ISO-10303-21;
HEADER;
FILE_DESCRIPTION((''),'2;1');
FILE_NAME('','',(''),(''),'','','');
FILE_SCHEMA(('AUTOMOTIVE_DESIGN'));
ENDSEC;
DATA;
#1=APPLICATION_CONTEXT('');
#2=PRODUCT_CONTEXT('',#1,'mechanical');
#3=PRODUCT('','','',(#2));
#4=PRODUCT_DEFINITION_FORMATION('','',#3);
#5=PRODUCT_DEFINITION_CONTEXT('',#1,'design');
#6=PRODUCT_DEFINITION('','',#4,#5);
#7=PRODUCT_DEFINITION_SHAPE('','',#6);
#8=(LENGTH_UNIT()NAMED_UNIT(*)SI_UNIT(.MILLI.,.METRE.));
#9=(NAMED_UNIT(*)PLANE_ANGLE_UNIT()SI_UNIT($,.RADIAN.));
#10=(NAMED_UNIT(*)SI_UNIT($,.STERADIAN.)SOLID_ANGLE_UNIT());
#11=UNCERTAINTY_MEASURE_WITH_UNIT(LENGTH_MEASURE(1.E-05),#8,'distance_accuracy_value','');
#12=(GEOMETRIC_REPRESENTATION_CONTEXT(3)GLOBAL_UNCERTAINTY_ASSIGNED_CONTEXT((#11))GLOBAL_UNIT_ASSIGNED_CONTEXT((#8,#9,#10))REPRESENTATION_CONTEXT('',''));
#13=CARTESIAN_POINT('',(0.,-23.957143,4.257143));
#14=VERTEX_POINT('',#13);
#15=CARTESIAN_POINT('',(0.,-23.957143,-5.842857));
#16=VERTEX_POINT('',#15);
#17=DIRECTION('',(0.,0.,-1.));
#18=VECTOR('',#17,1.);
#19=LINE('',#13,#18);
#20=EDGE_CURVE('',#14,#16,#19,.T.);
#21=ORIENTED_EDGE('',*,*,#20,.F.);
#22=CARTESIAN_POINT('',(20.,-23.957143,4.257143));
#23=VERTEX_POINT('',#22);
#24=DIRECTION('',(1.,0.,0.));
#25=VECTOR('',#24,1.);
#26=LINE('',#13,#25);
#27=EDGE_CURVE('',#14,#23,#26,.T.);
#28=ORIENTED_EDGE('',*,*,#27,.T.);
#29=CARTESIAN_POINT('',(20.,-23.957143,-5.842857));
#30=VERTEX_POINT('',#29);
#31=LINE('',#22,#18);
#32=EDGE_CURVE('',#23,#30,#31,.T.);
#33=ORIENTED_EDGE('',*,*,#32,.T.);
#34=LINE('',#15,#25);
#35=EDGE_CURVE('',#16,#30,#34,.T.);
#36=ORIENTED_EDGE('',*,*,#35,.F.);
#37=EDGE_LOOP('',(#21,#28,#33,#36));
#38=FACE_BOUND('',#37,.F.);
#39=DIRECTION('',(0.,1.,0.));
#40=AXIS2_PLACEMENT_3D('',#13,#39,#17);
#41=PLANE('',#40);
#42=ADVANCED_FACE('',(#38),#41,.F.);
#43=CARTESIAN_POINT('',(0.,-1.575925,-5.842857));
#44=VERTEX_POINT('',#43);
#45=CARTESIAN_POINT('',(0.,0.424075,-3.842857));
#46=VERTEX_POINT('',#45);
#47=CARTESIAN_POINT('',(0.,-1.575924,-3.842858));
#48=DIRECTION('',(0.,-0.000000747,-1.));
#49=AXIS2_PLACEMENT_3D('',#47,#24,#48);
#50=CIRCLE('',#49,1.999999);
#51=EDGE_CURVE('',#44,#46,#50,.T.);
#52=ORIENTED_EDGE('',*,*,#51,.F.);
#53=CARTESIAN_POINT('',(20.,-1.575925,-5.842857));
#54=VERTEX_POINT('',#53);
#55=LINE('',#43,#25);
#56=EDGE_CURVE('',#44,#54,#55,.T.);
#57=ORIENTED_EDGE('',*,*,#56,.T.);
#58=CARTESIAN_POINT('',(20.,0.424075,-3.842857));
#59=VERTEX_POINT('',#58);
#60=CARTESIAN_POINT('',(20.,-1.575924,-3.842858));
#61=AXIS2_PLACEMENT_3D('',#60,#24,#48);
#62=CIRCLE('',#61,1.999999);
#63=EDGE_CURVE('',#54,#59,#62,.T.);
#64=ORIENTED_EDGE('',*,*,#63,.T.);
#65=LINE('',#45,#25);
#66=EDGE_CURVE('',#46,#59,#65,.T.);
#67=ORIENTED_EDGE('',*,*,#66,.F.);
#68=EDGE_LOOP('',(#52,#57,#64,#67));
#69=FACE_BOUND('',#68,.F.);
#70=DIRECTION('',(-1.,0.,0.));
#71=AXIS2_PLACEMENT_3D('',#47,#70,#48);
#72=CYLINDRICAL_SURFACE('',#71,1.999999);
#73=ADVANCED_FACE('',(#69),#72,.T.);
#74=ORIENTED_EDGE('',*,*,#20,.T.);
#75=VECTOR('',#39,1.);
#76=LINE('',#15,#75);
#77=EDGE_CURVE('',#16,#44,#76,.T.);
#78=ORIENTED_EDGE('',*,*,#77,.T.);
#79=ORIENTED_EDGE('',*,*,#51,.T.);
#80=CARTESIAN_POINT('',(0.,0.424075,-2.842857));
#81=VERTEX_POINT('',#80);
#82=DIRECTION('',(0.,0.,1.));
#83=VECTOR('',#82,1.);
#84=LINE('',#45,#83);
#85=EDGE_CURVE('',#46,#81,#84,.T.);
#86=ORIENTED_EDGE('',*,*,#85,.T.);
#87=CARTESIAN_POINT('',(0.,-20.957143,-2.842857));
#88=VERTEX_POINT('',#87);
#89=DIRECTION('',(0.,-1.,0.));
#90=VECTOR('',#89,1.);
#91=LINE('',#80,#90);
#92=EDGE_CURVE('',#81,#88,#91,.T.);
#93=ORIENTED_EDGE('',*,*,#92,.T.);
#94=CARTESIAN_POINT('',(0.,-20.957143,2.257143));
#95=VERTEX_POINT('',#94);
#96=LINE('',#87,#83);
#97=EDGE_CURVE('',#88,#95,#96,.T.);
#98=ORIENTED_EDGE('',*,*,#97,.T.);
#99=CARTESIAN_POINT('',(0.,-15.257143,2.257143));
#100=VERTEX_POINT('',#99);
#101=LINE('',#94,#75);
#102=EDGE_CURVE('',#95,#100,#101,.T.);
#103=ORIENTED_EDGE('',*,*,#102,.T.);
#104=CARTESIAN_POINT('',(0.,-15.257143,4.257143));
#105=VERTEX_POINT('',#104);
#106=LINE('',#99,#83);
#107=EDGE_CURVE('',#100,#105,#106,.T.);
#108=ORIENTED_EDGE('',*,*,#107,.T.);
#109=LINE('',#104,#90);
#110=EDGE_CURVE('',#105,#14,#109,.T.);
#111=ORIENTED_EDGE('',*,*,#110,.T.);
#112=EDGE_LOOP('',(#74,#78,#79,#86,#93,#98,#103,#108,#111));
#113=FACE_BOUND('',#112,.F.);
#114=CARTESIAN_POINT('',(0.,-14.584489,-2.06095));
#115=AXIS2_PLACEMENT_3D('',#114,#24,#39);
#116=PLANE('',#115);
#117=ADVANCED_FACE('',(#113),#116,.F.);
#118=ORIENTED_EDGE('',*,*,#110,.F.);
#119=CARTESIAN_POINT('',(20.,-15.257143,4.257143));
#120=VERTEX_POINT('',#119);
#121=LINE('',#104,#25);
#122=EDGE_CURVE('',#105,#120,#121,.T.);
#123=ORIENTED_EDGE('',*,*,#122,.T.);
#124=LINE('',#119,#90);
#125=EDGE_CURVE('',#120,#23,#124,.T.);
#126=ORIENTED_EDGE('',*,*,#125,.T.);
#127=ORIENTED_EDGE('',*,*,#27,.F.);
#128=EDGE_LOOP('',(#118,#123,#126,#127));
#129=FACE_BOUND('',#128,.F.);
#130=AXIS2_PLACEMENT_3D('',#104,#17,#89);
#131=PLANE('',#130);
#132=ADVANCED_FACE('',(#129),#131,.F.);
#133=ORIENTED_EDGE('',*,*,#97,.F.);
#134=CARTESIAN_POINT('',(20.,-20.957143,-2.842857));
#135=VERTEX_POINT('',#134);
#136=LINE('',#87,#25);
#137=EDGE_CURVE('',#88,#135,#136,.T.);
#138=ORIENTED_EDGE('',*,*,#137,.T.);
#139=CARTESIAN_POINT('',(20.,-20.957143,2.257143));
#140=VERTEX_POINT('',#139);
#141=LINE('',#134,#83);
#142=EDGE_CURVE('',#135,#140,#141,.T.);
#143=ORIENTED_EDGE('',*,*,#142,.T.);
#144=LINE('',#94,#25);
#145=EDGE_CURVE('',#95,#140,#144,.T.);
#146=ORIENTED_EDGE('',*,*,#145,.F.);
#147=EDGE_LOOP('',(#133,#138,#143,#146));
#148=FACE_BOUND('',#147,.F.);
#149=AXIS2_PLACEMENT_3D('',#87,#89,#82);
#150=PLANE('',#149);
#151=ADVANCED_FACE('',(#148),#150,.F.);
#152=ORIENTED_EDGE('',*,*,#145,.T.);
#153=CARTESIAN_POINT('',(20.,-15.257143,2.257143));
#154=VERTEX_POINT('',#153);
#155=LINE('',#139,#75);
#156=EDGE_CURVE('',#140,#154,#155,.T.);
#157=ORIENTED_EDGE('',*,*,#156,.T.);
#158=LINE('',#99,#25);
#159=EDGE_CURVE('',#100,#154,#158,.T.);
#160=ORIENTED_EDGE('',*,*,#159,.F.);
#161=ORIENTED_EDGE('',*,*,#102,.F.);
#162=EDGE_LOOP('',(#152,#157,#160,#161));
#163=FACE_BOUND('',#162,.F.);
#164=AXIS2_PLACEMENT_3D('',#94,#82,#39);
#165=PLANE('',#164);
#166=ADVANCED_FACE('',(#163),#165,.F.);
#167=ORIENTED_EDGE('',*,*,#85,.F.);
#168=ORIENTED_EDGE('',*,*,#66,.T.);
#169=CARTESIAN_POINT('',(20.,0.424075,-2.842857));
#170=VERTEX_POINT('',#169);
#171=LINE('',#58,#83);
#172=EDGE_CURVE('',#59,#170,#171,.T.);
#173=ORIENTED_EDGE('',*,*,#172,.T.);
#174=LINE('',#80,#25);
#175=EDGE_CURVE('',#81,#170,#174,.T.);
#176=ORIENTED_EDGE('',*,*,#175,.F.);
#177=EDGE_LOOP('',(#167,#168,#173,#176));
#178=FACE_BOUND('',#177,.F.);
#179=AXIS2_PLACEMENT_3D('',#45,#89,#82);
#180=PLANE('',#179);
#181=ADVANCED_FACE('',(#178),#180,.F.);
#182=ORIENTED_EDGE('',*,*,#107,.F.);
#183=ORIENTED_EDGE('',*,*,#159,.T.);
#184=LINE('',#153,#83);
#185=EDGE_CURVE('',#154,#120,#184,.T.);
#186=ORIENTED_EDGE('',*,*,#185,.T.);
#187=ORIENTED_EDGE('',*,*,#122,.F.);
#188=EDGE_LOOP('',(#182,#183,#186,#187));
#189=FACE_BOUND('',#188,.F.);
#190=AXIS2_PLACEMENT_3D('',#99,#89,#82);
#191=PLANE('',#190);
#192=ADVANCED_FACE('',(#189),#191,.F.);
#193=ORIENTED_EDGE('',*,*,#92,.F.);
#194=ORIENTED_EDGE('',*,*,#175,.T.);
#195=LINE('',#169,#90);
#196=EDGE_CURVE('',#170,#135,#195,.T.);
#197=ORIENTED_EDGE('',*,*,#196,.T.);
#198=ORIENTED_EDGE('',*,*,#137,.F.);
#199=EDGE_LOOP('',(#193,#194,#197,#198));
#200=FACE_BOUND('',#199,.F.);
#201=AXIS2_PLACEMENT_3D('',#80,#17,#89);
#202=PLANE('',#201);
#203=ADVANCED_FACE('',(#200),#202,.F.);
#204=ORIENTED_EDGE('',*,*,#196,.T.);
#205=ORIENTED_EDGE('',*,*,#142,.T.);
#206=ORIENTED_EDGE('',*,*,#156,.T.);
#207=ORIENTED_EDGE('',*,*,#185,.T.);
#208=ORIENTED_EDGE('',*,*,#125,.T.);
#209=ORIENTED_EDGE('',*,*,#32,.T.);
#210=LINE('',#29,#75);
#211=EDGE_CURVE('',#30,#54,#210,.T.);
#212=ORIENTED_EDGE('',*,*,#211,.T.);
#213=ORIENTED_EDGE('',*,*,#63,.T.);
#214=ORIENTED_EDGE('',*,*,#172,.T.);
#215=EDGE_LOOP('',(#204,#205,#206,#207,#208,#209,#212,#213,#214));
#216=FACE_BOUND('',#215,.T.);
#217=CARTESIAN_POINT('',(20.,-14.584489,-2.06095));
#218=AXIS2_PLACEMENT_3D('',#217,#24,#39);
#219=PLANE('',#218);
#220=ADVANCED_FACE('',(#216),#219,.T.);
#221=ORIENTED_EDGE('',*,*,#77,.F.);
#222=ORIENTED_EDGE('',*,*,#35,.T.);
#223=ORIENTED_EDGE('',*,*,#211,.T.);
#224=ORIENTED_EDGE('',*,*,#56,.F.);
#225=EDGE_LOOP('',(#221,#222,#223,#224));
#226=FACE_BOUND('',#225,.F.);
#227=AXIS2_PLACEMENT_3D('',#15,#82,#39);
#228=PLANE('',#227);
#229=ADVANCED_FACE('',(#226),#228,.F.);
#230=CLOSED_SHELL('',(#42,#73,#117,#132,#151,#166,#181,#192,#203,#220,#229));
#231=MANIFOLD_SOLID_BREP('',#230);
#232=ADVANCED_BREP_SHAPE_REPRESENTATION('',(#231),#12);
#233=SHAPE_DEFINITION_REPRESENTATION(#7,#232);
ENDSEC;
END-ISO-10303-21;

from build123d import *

# Parameters (mm, degrees)
F1_DEPTH = 20


with BuildPart() as f1:
    # F0 (on Right) → F1 (new body)
    with BuildSketch(Plane.YZ):
        with BuildLine():
            Line((-23.957143, -5.842857), (-1.575925, -5.842857))
            ThreePointArc((-1.575925, -5.842857), (-0.161711, -5.257071), (0.424075, -3.842857))
            Line((0.424075, -3.842857), (0.424075, -2.842857))
            Line((0.424075, -2.842857), (-20.957143, -2.842857))
            Line((-20.957143, -2.842857), (-20.957143, 2.257143))
            Line((-20.957143, 2.257143), (-15.257143, 2.257143))
            Line((-15.257143, 2.257143), (-15.257143, 4.257143))
            Line((-15.257143, 4.257143), (-23.957143, 4.257143))
            Line((-23.957143, 4.257143), (-23.957143, -5.842857))
        make_face()
    extrude(amount=F1_DEPTH)


solid = f1.part
